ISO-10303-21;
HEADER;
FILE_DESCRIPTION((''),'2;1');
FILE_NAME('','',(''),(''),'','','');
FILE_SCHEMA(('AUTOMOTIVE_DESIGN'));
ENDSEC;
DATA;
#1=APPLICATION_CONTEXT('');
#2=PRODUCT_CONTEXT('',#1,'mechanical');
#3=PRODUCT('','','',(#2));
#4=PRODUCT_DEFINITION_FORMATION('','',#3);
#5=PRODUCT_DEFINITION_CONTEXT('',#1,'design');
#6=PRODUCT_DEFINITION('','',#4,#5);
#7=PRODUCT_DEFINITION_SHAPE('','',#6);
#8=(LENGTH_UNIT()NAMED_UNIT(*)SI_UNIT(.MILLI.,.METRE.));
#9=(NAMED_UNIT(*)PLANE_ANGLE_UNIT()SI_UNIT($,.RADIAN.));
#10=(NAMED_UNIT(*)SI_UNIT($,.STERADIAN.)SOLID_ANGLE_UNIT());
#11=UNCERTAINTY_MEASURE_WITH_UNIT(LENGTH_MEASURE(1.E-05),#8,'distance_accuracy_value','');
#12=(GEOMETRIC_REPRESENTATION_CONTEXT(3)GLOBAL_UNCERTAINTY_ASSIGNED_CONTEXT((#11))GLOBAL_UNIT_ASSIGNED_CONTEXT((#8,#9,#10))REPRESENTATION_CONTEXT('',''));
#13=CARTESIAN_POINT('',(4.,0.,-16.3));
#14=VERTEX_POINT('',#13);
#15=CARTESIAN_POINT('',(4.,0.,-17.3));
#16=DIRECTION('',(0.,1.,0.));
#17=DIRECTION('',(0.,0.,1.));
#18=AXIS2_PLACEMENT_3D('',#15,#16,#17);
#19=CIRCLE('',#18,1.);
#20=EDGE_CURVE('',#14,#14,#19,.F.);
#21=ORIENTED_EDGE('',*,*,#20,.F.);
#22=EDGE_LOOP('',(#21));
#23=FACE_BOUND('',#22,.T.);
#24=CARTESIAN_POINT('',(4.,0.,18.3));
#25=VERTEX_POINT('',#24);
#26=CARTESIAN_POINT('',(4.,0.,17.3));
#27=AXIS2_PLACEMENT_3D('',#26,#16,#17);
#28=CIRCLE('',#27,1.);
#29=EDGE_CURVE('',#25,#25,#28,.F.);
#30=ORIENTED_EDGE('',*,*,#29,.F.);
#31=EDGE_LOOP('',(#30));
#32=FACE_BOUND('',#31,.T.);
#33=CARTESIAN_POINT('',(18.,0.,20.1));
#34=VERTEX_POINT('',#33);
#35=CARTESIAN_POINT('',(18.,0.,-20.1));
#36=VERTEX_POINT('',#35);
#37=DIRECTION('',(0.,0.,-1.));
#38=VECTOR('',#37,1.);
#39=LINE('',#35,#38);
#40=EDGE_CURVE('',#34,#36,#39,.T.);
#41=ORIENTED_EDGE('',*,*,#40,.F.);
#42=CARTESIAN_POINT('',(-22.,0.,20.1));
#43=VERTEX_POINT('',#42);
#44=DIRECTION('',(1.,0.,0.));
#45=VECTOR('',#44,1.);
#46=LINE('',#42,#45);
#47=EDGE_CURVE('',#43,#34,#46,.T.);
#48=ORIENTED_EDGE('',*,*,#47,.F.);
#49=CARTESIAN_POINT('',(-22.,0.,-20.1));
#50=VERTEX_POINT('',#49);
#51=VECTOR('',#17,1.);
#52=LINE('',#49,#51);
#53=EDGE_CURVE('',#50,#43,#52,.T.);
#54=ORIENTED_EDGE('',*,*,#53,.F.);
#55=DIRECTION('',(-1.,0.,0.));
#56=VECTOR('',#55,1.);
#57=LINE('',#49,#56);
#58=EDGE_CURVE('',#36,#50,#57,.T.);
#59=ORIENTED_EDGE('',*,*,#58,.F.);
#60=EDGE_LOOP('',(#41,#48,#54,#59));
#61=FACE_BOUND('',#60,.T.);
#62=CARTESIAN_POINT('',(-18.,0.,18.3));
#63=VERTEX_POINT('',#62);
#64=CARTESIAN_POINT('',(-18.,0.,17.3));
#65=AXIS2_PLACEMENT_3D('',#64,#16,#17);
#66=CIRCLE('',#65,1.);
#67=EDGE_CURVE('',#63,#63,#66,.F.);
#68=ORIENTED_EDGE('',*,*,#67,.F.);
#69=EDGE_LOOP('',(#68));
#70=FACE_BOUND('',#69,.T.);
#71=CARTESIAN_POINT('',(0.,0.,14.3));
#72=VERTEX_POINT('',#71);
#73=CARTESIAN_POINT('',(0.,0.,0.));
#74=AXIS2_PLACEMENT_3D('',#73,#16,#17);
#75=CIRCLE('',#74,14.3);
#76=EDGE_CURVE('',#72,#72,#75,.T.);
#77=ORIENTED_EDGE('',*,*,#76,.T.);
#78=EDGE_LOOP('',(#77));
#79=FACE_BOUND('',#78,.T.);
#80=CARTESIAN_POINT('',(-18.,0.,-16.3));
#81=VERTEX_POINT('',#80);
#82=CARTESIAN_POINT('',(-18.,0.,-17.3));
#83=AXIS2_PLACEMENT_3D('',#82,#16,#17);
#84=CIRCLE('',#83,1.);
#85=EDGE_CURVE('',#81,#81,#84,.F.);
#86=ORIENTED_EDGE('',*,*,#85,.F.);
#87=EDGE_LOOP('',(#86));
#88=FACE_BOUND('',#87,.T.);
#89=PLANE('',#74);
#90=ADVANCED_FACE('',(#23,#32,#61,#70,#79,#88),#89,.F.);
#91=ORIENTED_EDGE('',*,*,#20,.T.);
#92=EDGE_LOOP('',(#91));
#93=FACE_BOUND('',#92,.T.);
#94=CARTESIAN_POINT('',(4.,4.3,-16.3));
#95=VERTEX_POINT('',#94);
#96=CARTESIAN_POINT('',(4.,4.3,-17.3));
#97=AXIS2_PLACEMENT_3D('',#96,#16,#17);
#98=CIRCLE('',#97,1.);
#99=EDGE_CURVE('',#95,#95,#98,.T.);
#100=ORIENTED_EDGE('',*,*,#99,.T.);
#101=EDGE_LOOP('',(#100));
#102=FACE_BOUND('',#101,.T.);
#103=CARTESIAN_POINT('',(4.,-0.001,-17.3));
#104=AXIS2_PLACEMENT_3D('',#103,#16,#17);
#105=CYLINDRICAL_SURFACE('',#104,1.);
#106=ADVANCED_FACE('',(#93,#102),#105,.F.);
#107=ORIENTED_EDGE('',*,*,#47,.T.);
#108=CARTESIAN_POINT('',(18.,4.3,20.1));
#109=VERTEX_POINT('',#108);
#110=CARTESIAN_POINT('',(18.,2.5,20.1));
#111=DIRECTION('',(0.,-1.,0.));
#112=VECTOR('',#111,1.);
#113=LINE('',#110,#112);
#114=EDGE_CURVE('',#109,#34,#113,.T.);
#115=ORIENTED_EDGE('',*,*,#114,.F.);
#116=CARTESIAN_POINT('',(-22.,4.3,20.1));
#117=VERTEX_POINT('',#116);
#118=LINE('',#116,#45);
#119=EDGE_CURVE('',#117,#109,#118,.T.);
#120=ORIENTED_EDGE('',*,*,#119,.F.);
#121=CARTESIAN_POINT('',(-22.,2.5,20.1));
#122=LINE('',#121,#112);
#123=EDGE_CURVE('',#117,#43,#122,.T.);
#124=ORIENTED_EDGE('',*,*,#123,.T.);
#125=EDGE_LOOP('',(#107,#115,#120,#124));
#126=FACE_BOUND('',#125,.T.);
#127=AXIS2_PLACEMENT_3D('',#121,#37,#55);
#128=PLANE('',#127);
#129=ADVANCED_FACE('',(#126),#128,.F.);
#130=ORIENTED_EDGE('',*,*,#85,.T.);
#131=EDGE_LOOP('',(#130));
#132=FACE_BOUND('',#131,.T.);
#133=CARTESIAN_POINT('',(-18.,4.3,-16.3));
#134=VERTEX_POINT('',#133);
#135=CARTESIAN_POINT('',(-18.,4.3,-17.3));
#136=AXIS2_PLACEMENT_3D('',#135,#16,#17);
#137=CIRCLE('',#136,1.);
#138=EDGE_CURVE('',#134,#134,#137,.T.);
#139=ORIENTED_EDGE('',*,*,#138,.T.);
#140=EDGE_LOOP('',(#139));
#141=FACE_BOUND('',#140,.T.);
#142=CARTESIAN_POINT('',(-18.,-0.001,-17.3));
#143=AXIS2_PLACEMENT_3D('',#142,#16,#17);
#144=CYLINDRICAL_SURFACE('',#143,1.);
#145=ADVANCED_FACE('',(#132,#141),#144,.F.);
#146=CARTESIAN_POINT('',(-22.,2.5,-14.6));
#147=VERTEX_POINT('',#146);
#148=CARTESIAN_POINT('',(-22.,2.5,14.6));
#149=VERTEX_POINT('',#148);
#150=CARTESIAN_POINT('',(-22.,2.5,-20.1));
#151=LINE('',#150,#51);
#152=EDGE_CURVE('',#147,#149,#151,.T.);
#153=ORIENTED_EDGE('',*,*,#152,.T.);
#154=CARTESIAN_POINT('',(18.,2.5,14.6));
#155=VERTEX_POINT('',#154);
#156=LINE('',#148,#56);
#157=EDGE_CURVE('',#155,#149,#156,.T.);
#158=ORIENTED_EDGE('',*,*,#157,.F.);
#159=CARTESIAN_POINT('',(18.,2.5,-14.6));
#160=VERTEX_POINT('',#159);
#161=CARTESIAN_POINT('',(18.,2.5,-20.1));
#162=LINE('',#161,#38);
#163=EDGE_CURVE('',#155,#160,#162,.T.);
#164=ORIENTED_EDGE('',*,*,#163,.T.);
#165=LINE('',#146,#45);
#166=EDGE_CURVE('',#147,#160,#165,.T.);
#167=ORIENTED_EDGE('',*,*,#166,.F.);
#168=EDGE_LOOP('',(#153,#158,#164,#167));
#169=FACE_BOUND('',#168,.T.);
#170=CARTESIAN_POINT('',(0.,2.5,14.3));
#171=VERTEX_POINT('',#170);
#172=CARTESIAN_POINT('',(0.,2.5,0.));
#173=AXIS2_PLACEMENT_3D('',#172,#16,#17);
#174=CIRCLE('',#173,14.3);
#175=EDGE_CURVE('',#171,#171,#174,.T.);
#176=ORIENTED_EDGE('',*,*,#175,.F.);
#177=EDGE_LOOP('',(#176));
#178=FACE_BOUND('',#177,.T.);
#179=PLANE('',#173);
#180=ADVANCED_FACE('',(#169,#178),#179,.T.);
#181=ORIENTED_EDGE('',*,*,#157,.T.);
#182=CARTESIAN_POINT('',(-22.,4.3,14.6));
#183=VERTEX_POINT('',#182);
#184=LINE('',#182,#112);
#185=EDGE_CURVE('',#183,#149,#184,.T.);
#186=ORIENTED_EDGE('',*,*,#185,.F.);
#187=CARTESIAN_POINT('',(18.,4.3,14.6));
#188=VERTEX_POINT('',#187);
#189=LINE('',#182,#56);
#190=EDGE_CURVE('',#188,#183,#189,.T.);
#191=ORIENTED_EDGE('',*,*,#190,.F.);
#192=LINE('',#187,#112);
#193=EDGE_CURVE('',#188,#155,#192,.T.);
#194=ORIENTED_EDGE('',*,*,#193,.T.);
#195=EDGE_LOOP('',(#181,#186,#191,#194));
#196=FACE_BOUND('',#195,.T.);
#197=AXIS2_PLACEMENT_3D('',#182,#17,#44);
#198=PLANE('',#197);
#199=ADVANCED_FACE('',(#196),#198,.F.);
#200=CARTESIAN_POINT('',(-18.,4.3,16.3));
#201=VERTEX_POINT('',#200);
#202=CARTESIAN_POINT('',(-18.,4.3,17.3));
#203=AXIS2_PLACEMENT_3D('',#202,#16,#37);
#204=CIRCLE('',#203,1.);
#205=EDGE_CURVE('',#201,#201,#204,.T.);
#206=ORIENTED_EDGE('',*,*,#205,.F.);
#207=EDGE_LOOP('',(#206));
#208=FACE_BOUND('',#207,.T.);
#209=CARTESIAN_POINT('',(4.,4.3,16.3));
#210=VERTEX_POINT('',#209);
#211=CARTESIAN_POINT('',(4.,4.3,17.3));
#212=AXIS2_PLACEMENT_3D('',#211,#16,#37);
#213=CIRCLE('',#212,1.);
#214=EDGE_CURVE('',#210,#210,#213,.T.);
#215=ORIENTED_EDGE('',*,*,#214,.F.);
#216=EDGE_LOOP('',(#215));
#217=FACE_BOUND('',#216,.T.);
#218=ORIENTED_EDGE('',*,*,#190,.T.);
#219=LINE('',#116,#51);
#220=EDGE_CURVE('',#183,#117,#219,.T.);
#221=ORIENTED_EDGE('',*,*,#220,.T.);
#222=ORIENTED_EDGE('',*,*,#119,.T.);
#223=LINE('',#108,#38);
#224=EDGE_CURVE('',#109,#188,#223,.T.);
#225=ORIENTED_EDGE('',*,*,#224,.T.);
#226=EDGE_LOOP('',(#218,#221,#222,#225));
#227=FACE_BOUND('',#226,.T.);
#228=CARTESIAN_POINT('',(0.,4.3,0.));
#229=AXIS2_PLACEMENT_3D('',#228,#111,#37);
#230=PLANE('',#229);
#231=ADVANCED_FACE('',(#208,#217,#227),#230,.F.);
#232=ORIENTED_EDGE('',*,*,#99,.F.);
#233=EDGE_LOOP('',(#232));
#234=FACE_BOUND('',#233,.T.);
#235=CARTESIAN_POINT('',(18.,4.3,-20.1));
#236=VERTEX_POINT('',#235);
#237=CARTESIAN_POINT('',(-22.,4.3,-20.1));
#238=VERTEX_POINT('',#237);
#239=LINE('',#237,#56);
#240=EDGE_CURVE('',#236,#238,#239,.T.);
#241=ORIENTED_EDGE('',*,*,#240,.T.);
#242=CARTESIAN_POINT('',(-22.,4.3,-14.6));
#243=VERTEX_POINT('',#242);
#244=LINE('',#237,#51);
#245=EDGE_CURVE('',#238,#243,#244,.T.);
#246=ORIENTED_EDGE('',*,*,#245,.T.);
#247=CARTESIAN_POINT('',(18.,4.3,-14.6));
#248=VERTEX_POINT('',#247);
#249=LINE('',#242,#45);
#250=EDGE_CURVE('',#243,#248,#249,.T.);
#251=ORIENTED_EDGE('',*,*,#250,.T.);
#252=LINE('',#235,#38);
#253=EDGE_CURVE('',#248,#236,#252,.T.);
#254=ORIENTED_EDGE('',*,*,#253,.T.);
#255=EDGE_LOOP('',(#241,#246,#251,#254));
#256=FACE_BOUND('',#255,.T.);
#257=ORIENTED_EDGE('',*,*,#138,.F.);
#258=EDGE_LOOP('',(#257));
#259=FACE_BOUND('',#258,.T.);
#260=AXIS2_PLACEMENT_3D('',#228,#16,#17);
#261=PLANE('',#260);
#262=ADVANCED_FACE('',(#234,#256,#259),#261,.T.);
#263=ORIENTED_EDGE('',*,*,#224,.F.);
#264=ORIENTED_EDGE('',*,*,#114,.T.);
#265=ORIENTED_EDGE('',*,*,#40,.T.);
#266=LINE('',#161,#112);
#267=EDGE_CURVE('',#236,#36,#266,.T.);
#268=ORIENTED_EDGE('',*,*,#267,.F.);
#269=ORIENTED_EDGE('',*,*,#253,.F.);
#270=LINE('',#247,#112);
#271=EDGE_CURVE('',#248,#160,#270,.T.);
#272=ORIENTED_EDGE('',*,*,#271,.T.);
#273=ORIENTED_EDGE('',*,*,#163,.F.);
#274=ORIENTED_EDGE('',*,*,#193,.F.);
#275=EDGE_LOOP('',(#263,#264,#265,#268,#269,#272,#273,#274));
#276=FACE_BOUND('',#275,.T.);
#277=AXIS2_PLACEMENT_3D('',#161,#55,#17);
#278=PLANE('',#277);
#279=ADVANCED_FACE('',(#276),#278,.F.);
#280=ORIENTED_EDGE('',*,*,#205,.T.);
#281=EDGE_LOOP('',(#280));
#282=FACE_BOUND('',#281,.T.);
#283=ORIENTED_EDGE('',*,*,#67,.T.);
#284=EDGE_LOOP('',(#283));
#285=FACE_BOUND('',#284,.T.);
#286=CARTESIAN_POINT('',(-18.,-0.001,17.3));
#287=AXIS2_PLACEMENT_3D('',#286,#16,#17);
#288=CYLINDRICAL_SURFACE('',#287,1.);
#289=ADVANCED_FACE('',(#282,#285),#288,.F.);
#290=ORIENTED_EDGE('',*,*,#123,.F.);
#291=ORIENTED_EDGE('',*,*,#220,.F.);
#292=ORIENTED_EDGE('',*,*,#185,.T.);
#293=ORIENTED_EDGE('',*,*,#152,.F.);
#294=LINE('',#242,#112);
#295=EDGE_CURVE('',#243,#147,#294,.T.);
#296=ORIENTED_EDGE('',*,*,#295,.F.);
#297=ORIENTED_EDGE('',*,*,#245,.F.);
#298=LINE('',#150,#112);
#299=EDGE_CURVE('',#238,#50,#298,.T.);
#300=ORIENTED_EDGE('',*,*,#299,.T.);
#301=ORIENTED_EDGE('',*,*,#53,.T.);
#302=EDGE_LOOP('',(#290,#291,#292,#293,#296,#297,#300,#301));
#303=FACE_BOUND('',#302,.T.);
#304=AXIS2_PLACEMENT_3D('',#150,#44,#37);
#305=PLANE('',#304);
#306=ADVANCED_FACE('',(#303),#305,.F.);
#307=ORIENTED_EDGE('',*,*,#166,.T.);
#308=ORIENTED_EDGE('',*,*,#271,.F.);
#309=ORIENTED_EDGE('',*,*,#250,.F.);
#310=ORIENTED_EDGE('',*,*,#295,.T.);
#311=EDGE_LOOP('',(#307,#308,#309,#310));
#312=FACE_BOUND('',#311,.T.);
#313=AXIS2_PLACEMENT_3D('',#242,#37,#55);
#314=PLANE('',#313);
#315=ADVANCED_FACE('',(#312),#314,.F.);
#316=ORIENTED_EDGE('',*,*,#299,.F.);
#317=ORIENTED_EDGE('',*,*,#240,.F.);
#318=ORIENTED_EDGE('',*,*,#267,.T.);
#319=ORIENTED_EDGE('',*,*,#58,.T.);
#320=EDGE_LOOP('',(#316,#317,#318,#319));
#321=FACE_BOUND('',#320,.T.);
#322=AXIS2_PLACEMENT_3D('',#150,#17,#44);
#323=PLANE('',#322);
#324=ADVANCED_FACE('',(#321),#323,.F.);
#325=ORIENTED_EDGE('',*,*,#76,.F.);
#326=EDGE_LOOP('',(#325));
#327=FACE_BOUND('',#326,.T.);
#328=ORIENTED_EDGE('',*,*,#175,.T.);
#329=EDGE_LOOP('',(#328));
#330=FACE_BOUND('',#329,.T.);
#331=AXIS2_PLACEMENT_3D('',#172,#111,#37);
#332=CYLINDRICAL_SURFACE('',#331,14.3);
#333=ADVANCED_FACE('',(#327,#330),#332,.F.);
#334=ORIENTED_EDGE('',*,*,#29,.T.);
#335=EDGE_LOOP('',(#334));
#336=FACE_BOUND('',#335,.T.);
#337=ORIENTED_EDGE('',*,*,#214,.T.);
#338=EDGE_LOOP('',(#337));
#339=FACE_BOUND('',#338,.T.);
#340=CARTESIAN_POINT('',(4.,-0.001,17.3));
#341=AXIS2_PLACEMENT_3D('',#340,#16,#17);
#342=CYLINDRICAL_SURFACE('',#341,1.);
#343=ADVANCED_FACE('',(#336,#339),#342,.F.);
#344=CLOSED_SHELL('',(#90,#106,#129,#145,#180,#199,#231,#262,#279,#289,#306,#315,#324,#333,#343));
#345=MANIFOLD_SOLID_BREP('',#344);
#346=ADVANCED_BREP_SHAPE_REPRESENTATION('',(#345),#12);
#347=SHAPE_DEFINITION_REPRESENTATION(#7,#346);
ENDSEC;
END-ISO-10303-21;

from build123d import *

# Parameters (mm, degrees)
SKETCH_1_W          = 40
SKETCH_1_H          = 40.2
SKETCH_1_R          = 14.3
EXTRUDE_1_DEPTH     = 2.5
SKETCH_2_W          = 40
SKETCH_2_H          = 5.5
EXTRUDE_2_DEPTH     = 1.8
CUT_EXTRUDE_1_REACH = 32.108
SKETCH_3_R          = 1


with BuildPart() as part:
    # 草图1 → 凸台-拉伸1 (new body)
    with BuildSketch(Plane(origin=(0, 0, 0), x_dir=(1, 0, 0), z_dir=(0, 1, 0))):
        with Locations((-2, 0)):
            Rectangle(SKETCH_1_W, SKETCH_1_H)
        with Locations(Location((0, 0, 0), (0, 0, 270))):
            Circle(SKETCH_1_R, mode=Mode.SUBTRACT)
    extrude(amount=EXTRUDE_1_DEPTH)

    # 草图2 → 凸台-拉伸2 (add)
    with BuildSketch(Plane(origin=(0, 2.5, 0), x_dir=(1, 0, 0), z_dir=(0, 1, 0))):
        with Locations((-2, 17.35)):
            Rectangle(SKETCH_2_W, SKETCH_2_H)
        with Locations((-2, -17.35)):
            Rectangle(SKETCH_2_W, SKETCH_2_H)
    extrude(amount=EXTRUDE_2_DEPTH)

    # 草图3 → 切除-拉伸1 (cut, up to next)
    with BuildSketch(Plane(origin=(0, 4.3, 0), x_dir=(1, 0, 0), z_dir=(0, 1, 0)), mode=Mode.PRIVATE) as cut_extrude_1_sk1:
        with Locations(Location((4, 17.3, 0), (0, 0, 270))):
            Circle(SKETCH_3_R)
    cut_extrude_1_tool1 = extrude(cut_extrude_1_sk1.sketch, amount=-CUT_EXTRUDE_1_REACH, mode=Mode.PRIVATE) & part.part
    # 草图3 → 切除-拉伸1 (cut, up to next)
    with BuildSketch(Plane(origin=(0, 4.3, 0), x_dir=(1, 0, 0), z_dir=(0, 1, 0)), mode=Mode.PRIVATE) as cut_extrude_1_sk2:
        with Locations(Location((-18, 17.3, 0), (0, 0, 270))):
            Circle(SKETCH_3_R)
    cut_extrude_1_tool2 = extrude(cut_extrude_1_sk2.sketch, amount=-CUT_EXTRUDE_1_REACH, mode=Mode.PRIVATE) & part.part
    # 草图3 → 切除-拉伸1 (cut, up to next)
    with BuildSketch(Plane(origin=(0, 4.3, 0), x_dir=(1, 0, 0), z_dir=(0, 1, 0)), mode=Mode.PRIVATE) as cut_extrude_1_sk3:
        with Locations(Location((-18, -17.3, 0), (0, 0, 270))):
            Circle(SKETCH_3_R)
    cut_extrude_1_tool3 = extrude(cut_extrude_1_sk3.sketch, amount=-CUT_EXTRUDE_1_REACH, mode=Mode.PRIVATE) & part.part
    # 草图3 → 切除-拉伸1 (cut, up to next)
    with BuildSketch(Plane(origin=(0, 4.3, 0), x_dir=(1, 0, 0), z_dir=(0, 1, 0)), mode=Mode.PRIVATE) as cut_extrude_1_sk4:
        with Locations(Location((4, -17.3, 0), (0, 0, 270))):
            Circle(SKETCH_3_R)
    cut_extrude_1_tool4 = extrude(cut_extrude_1_sk4.sketch, amount=-CUT_EXTRUDE_1_REACH, mode=Mode.PRIVATE) & part.part
    add(cut_extrude_1_tool1.solids().sort_by_distance((4, 4.3, -17.3))[0], mode=Mode.SUBTRACT)
    add(cut_extrude_1_tool2.solids().sort_by_distance((-18, 4.3, -17.3))[0], mode=Mode.SUBTRACT)
    add(cut_extrude_1_tool3.solids().sort_by_distance((-18, 4.3, 17.3))[0], mode=Mode.SUBTRACT)
    add(cut_extrude_1_tool4.solids().sort_by_distance((4, 4.3, 17.3))[0], mode=Mode.SUBTRACT)


solid = part.part
